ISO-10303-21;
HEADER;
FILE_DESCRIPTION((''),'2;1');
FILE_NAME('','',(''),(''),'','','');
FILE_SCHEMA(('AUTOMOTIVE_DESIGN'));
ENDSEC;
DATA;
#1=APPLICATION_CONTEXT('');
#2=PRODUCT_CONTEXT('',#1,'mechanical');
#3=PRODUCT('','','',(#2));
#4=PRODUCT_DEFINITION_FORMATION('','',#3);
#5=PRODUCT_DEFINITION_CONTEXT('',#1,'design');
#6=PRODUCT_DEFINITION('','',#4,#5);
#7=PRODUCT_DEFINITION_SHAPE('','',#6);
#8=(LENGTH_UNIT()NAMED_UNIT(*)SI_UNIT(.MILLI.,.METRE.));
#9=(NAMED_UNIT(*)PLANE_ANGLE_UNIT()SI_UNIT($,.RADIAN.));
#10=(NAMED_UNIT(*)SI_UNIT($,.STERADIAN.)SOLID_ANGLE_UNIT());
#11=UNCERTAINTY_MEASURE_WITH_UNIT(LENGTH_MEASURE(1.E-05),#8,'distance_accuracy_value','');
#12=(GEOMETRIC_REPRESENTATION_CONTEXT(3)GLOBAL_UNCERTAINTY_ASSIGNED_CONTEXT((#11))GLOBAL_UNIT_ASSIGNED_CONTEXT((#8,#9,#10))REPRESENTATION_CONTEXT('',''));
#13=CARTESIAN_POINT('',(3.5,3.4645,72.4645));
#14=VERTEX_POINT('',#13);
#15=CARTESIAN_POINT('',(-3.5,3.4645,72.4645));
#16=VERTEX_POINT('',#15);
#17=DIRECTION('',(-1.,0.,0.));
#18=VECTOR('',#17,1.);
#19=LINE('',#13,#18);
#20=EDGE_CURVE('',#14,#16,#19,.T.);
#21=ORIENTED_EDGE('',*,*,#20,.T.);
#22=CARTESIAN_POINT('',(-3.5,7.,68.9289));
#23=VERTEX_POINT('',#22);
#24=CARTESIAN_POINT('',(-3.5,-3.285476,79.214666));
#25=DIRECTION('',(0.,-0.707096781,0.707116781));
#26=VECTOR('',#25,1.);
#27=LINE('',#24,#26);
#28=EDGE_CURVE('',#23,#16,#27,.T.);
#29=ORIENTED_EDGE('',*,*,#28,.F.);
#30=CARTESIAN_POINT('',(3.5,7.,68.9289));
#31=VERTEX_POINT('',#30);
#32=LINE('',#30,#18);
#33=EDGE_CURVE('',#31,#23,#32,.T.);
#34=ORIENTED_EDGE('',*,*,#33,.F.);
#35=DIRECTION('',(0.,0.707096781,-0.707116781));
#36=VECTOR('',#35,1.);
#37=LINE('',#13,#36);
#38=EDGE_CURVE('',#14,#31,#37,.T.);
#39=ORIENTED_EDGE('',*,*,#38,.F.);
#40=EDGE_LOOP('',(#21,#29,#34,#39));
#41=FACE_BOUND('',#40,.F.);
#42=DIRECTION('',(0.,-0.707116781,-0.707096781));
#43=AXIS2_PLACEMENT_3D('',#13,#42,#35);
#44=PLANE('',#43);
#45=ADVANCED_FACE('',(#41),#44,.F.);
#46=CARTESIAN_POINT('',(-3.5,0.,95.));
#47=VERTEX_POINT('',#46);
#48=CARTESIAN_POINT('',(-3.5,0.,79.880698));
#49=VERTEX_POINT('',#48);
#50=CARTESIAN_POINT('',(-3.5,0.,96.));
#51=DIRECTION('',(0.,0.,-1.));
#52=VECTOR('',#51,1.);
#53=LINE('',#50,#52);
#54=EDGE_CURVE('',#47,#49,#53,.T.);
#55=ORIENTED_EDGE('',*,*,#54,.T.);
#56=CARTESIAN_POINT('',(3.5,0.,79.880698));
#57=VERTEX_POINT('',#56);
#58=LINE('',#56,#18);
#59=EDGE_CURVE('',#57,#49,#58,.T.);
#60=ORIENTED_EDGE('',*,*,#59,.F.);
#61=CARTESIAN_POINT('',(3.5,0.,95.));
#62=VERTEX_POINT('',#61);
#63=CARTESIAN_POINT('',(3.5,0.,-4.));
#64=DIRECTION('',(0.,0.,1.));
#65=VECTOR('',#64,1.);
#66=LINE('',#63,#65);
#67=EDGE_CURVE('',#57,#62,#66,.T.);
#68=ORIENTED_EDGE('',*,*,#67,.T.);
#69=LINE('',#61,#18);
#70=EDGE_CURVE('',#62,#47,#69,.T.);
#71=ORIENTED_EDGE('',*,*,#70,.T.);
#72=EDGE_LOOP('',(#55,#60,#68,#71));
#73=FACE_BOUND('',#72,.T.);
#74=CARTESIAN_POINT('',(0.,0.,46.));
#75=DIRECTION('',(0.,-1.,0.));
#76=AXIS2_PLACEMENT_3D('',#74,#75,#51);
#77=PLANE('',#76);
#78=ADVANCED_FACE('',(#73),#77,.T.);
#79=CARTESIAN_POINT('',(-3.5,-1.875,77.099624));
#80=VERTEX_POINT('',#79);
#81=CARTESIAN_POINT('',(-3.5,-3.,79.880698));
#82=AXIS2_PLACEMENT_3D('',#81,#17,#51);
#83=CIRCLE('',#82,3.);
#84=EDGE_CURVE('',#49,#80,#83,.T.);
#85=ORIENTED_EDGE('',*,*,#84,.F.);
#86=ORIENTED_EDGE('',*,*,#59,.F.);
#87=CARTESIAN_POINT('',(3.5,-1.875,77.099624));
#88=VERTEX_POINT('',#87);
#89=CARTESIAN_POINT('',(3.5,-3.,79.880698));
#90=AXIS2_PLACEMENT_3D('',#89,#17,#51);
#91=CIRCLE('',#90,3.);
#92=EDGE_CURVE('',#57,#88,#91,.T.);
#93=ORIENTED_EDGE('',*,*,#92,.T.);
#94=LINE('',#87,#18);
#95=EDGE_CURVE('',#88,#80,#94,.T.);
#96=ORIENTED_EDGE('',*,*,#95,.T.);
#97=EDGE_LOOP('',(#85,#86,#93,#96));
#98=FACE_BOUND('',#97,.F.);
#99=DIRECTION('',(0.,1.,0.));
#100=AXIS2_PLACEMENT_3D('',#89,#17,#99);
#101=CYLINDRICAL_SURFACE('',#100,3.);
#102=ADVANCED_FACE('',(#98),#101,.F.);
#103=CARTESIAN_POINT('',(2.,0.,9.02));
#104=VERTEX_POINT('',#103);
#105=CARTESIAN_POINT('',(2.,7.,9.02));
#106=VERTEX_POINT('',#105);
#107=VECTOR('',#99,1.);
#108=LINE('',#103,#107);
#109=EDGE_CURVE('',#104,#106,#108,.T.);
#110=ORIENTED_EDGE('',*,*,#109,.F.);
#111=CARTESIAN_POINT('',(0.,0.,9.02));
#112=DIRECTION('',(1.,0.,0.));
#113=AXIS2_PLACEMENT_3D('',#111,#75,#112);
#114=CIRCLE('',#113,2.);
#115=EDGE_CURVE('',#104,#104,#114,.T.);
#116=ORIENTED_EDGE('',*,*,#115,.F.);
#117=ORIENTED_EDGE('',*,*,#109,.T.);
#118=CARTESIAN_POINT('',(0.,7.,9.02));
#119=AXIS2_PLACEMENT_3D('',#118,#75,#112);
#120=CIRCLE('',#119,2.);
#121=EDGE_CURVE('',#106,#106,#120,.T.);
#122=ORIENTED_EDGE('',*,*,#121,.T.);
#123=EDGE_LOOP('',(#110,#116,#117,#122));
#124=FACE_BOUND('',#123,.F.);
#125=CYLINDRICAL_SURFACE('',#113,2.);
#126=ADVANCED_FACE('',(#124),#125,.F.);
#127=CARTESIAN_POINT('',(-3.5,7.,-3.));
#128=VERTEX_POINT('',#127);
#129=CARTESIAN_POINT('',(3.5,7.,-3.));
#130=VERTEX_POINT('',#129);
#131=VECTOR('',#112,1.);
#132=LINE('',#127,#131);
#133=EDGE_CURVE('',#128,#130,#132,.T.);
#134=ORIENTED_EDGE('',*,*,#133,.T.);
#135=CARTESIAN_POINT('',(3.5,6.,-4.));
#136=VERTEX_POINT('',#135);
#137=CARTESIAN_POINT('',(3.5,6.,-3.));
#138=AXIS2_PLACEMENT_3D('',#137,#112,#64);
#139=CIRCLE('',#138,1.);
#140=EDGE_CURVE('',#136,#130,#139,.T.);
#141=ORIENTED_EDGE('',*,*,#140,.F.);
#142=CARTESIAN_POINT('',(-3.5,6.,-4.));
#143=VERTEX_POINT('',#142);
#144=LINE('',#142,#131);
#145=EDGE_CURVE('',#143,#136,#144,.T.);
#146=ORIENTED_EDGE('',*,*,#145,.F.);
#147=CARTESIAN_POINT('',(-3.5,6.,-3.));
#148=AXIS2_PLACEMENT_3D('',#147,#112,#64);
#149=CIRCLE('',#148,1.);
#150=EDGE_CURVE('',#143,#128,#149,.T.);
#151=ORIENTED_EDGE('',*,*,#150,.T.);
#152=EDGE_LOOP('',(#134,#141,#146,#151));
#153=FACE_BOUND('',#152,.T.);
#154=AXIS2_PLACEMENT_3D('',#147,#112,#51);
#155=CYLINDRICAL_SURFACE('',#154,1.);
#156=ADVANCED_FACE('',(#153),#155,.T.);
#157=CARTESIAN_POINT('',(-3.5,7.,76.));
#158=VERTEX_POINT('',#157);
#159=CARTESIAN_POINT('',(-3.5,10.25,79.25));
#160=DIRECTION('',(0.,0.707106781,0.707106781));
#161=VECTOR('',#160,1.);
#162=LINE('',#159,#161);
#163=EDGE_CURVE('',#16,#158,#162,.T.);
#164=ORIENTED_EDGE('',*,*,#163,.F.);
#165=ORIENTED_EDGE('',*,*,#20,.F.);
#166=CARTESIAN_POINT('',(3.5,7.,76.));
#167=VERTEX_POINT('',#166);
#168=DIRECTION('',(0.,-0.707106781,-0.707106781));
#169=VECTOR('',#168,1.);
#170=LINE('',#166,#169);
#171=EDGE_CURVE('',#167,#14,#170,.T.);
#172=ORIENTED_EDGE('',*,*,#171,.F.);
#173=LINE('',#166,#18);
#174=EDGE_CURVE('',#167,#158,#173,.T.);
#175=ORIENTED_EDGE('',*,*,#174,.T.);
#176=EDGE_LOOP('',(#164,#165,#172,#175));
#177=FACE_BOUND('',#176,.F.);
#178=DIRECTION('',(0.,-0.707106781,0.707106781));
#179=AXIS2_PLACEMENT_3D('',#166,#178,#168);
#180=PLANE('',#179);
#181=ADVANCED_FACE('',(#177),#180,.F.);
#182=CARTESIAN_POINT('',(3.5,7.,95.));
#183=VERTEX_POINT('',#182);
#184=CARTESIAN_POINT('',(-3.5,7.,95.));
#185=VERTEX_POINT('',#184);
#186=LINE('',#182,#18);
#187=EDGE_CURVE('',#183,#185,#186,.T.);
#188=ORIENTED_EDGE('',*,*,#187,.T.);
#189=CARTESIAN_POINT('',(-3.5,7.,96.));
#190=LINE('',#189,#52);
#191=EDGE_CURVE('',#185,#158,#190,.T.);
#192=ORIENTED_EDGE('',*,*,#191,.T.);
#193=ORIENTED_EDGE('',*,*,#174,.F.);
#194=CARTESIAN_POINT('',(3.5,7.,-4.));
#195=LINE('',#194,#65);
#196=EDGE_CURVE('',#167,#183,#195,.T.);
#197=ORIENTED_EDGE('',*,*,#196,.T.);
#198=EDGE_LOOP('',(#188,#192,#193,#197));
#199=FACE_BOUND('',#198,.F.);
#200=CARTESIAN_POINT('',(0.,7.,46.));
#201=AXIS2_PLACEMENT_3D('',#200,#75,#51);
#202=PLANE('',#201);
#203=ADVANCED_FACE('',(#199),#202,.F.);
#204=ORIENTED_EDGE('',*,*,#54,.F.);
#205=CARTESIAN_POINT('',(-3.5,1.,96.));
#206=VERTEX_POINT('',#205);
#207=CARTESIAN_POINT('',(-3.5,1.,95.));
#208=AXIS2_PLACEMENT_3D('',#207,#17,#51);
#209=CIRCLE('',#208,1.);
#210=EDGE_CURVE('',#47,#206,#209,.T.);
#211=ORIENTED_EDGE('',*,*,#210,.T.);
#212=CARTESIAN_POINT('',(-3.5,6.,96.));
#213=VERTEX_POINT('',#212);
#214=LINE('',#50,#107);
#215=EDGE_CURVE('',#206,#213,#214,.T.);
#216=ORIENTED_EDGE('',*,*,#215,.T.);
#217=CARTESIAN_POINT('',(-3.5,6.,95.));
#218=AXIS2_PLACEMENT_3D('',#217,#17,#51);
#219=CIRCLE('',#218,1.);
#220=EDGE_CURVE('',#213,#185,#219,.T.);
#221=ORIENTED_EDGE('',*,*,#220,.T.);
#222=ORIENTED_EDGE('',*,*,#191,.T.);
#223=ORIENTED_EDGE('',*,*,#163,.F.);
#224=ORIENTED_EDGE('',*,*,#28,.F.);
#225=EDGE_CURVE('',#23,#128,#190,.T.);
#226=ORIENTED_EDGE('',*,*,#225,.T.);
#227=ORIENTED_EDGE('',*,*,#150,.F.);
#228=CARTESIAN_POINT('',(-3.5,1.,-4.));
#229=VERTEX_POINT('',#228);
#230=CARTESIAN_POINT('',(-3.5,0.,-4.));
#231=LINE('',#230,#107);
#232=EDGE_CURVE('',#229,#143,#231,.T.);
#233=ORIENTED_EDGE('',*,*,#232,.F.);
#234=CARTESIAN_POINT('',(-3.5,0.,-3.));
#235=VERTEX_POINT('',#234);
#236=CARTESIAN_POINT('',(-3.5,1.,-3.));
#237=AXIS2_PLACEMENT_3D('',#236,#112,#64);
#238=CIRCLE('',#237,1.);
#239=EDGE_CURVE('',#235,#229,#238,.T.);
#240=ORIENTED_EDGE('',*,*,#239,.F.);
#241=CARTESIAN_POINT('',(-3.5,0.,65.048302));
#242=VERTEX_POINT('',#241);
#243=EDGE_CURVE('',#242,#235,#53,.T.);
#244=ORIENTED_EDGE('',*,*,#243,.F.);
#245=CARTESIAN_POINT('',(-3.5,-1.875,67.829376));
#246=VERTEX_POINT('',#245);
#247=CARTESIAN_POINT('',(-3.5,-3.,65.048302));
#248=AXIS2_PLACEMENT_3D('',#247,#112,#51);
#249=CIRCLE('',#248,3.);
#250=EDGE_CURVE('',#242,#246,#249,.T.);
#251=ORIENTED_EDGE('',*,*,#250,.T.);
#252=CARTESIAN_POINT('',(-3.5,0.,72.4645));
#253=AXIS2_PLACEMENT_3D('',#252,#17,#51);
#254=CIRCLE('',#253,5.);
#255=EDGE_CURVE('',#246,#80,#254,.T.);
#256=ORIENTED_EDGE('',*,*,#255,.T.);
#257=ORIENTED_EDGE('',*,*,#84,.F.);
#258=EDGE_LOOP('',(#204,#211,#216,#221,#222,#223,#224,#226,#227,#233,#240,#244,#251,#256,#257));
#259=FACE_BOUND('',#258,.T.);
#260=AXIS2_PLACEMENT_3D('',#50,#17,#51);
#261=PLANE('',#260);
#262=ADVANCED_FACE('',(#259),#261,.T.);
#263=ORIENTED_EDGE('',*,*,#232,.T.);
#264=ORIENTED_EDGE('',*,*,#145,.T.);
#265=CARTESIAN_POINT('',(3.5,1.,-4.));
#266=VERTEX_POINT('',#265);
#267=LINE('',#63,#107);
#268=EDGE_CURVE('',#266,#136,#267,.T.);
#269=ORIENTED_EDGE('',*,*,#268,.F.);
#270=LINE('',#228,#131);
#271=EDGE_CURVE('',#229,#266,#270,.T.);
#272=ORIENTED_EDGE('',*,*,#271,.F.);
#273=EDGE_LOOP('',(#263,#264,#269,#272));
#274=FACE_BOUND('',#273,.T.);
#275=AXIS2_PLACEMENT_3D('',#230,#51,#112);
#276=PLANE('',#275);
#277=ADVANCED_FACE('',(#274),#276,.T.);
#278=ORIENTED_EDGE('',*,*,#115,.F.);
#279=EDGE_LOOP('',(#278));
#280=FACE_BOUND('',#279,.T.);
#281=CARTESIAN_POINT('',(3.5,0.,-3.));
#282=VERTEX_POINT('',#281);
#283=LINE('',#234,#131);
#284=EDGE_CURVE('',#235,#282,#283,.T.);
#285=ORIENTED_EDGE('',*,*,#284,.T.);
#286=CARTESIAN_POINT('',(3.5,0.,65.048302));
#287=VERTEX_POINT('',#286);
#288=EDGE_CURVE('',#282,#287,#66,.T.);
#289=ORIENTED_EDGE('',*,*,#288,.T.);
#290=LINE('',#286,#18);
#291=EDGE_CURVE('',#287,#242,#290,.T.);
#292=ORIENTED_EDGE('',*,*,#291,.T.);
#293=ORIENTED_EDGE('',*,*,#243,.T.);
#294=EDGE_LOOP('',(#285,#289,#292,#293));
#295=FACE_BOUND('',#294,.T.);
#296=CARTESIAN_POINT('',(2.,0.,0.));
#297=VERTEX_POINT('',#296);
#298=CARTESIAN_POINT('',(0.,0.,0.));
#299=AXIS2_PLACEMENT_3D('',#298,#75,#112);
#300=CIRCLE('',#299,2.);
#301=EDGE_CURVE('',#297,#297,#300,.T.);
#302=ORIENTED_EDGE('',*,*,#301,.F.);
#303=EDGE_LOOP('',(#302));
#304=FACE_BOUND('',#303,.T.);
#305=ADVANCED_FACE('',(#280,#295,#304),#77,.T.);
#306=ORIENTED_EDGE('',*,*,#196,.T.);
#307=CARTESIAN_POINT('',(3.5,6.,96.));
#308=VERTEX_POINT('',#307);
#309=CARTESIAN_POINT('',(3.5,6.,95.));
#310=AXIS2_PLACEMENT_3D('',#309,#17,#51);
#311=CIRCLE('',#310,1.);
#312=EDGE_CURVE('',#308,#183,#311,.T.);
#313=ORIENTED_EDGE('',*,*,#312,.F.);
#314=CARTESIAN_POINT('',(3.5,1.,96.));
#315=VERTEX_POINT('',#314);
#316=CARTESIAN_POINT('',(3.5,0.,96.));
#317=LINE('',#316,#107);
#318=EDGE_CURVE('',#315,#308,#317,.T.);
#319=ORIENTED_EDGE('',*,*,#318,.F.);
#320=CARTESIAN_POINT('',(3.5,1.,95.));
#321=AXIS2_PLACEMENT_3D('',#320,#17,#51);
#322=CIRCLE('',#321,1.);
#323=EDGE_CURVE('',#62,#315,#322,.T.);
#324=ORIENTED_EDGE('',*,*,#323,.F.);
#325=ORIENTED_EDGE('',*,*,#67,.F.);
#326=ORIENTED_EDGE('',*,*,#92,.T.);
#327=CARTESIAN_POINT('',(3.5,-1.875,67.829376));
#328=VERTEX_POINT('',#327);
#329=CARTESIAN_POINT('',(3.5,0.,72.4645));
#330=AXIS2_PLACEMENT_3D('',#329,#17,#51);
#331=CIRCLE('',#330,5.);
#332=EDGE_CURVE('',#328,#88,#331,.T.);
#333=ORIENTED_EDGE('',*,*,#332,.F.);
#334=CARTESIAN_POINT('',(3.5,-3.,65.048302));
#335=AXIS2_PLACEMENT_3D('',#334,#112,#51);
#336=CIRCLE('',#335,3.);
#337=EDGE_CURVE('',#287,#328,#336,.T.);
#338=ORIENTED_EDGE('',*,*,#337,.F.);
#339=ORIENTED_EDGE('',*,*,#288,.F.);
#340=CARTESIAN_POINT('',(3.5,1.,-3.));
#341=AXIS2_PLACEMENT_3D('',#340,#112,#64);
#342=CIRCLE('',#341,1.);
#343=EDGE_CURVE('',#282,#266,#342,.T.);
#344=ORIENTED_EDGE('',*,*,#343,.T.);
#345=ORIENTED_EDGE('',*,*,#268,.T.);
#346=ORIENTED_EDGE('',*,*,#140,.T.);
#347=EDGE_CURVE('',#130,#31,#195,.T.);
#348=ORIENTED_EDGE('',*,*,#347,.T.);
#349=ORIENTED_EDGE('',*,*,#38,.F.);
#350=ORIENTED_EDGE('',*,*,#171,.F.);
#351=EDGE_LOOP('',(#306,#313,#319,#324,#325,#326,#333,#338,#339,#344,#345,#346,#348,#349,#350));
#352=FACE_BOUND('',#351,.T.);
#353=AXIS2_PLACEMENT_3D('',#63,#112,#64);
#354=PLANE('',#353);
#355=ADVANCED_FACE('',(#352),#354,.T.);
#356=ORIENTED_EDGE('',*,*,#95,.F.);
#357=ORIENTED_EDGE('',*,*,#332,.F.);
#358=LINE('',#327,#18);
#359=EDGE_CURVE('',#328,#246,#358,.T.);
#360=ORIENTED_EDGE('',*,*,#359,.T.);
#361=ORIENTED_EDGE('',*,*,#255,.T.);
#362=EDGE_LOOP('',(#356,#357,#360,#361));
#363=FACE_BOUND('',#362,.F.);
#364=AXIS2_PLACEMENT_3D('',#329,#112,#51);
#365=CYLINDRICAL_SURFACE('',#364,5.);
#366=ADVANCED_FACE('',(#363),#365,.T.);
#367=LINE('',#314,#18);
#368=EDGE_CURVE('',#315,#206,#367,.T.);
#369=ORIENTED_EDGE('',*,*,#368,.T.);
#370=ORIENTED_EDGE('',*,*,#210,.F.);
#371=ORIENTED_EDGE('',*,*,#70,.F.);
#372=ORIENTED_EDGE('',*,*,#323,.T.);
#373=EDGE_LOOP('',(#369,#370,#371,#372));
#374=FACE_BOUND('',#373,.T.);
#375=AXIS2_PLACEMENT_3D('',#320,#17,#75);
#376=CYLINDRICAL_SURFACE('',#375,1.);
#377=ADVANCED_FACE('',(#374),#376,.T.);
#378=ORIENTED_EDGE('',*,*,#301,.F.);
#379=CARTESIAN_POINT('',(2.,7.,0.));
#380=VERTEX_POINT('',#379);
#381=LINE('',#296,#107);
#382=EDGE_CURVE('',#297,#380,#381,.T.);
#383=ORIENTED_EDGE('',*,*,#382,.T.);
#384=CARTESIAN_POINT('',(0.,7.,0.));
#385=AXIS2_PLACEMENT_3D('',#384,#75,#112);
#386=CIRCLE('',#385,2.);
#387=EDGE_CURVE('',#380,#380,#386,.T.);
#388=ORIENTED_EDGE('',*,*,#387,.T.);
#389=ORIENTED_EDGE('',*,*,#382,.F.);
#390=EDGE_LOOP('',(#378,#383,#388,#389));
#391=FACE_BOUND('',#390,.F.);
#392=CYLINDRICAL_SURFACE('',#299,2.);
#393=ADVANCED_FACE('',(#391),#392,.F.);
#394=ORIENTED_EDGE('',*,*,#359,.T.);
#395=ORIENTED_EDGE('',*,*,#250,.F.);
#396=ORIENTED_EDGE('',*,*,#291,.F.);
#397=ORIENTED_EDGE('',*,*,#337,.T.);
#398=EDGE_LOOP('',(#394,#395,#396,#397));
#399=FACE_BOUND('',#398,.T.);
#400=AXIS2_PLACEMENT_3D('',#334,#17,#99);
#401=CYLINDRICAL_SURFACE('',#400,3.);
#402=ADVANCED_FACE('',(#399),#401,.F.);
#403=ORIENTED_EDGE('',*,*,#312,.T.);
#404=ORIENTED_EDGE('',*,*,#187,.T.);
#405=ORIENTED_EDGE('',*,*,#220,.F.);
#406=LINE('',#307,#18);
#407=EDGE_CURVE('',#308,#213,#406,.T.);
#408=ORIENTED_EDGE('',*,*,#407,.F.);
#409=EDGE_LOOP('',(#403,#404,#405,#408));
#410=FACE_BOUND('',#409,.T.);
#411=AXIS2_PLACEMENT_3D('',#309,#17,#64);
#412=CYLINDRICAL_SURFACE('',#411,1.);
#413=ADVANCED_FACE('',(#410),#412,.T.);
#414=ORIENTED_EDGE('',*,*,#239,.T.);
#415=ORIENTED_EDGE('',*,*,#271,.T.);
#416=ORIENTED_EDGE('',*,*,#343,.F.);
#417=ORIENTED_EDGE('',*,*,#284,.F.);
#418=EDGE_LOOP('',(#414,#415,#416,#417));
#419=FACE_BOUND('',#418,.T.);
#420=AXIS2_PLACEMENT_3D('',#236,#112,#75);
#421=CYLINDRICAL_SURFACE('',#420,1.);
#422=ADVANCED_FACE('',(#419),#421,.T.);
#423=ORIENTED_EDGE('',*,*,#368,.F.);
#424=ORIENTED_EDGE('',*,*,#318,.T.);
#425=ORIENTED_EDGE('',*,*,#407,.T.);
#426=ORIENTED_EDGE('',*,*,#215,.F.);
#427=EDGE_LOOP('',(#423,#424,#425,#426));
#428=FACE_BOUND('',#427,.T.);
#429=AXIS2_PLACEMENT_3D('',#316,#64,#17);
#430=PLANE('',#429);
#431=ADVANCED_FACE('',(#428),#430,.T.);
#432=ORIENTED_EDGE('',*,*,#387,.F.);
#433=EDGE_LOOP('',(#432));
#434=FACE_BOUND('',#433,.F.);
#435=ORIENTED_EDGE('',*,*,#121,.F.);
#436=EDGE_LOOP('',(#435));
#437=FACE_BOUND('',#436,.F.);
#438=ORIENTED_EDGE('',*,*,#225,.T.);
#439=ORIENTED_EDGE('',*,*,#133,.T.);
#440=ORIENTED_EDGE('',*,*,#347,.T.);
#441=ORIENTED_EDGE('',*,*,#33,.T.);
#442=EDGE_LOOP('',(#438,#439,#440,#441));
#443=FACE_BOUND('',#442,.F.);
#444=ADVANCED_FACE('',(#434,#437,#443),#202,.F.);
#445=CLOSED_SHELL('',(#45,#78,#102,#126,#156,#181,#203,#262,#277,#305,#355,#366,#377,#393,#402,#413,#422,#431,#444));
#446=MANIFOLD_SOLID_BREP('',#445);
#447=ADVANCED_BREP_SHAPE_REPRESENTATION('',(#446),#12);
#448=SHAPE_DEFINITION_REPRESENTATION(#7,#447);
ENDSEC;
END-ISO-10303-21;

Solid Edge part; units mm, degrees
sketch "Sketch1" plane through (0, 0, 0) normal (0, -1, 0) x (1, 0, 0)
  circle A0 centre (0, 0) radius 2
  circle A1 centre (0, 9.02) radius 2
  line L0 (3.5, -4) -> (3.5, 96)
  line L1 (3.5, 96) -> (-3.5, 96)
  line L2 (-3.5, 96) -> (-3.5, -4)
  line L3 (-3.5, -4) -> (3.5, -4)
extrude "Protrusion1" add sketch "Sketch1" against normal blind 7
sketch "Sketch2" plane through (3.5, 3.5, 46) normal (1, 0, 0) x (0, 0, -1)
  line L0 (-30, 3.5) -> (-26.4645, -0.0355)
  line L1 (-26.4645, -0.0355) -> (-22.9289, 3.5)
  line L2 (-22.9289, 3.5) -> (-30, 3.5)
extrude "ExtrudedCutout_1" cut sketch "Sketch2" against normal blind 24
sketch "Sketch3" plane through (3.5, 3.5, 46) normal (1, 0, 0) x (0, 0, -1)
  line L0 (-31.4645, -3.5) -> (-21.4645, -3.5)
  arc A0 (-21.4645, -3.5) -> (-31.4645, -3.5) centre (-26.4645, -3.5) cw
extrude "ExtrudedProtrusion_2" add sketch "Sketch3" against normal blind 7
fillet "Round_1" radius 3 2 edges at (0, 0, 67.4645) (0, 0, 77.4645)
fillet "Round_2" radius 1 4 edges at (0, 7, 96) (0, 0, 96) (0, 0, -4) (0, 7, -4)
